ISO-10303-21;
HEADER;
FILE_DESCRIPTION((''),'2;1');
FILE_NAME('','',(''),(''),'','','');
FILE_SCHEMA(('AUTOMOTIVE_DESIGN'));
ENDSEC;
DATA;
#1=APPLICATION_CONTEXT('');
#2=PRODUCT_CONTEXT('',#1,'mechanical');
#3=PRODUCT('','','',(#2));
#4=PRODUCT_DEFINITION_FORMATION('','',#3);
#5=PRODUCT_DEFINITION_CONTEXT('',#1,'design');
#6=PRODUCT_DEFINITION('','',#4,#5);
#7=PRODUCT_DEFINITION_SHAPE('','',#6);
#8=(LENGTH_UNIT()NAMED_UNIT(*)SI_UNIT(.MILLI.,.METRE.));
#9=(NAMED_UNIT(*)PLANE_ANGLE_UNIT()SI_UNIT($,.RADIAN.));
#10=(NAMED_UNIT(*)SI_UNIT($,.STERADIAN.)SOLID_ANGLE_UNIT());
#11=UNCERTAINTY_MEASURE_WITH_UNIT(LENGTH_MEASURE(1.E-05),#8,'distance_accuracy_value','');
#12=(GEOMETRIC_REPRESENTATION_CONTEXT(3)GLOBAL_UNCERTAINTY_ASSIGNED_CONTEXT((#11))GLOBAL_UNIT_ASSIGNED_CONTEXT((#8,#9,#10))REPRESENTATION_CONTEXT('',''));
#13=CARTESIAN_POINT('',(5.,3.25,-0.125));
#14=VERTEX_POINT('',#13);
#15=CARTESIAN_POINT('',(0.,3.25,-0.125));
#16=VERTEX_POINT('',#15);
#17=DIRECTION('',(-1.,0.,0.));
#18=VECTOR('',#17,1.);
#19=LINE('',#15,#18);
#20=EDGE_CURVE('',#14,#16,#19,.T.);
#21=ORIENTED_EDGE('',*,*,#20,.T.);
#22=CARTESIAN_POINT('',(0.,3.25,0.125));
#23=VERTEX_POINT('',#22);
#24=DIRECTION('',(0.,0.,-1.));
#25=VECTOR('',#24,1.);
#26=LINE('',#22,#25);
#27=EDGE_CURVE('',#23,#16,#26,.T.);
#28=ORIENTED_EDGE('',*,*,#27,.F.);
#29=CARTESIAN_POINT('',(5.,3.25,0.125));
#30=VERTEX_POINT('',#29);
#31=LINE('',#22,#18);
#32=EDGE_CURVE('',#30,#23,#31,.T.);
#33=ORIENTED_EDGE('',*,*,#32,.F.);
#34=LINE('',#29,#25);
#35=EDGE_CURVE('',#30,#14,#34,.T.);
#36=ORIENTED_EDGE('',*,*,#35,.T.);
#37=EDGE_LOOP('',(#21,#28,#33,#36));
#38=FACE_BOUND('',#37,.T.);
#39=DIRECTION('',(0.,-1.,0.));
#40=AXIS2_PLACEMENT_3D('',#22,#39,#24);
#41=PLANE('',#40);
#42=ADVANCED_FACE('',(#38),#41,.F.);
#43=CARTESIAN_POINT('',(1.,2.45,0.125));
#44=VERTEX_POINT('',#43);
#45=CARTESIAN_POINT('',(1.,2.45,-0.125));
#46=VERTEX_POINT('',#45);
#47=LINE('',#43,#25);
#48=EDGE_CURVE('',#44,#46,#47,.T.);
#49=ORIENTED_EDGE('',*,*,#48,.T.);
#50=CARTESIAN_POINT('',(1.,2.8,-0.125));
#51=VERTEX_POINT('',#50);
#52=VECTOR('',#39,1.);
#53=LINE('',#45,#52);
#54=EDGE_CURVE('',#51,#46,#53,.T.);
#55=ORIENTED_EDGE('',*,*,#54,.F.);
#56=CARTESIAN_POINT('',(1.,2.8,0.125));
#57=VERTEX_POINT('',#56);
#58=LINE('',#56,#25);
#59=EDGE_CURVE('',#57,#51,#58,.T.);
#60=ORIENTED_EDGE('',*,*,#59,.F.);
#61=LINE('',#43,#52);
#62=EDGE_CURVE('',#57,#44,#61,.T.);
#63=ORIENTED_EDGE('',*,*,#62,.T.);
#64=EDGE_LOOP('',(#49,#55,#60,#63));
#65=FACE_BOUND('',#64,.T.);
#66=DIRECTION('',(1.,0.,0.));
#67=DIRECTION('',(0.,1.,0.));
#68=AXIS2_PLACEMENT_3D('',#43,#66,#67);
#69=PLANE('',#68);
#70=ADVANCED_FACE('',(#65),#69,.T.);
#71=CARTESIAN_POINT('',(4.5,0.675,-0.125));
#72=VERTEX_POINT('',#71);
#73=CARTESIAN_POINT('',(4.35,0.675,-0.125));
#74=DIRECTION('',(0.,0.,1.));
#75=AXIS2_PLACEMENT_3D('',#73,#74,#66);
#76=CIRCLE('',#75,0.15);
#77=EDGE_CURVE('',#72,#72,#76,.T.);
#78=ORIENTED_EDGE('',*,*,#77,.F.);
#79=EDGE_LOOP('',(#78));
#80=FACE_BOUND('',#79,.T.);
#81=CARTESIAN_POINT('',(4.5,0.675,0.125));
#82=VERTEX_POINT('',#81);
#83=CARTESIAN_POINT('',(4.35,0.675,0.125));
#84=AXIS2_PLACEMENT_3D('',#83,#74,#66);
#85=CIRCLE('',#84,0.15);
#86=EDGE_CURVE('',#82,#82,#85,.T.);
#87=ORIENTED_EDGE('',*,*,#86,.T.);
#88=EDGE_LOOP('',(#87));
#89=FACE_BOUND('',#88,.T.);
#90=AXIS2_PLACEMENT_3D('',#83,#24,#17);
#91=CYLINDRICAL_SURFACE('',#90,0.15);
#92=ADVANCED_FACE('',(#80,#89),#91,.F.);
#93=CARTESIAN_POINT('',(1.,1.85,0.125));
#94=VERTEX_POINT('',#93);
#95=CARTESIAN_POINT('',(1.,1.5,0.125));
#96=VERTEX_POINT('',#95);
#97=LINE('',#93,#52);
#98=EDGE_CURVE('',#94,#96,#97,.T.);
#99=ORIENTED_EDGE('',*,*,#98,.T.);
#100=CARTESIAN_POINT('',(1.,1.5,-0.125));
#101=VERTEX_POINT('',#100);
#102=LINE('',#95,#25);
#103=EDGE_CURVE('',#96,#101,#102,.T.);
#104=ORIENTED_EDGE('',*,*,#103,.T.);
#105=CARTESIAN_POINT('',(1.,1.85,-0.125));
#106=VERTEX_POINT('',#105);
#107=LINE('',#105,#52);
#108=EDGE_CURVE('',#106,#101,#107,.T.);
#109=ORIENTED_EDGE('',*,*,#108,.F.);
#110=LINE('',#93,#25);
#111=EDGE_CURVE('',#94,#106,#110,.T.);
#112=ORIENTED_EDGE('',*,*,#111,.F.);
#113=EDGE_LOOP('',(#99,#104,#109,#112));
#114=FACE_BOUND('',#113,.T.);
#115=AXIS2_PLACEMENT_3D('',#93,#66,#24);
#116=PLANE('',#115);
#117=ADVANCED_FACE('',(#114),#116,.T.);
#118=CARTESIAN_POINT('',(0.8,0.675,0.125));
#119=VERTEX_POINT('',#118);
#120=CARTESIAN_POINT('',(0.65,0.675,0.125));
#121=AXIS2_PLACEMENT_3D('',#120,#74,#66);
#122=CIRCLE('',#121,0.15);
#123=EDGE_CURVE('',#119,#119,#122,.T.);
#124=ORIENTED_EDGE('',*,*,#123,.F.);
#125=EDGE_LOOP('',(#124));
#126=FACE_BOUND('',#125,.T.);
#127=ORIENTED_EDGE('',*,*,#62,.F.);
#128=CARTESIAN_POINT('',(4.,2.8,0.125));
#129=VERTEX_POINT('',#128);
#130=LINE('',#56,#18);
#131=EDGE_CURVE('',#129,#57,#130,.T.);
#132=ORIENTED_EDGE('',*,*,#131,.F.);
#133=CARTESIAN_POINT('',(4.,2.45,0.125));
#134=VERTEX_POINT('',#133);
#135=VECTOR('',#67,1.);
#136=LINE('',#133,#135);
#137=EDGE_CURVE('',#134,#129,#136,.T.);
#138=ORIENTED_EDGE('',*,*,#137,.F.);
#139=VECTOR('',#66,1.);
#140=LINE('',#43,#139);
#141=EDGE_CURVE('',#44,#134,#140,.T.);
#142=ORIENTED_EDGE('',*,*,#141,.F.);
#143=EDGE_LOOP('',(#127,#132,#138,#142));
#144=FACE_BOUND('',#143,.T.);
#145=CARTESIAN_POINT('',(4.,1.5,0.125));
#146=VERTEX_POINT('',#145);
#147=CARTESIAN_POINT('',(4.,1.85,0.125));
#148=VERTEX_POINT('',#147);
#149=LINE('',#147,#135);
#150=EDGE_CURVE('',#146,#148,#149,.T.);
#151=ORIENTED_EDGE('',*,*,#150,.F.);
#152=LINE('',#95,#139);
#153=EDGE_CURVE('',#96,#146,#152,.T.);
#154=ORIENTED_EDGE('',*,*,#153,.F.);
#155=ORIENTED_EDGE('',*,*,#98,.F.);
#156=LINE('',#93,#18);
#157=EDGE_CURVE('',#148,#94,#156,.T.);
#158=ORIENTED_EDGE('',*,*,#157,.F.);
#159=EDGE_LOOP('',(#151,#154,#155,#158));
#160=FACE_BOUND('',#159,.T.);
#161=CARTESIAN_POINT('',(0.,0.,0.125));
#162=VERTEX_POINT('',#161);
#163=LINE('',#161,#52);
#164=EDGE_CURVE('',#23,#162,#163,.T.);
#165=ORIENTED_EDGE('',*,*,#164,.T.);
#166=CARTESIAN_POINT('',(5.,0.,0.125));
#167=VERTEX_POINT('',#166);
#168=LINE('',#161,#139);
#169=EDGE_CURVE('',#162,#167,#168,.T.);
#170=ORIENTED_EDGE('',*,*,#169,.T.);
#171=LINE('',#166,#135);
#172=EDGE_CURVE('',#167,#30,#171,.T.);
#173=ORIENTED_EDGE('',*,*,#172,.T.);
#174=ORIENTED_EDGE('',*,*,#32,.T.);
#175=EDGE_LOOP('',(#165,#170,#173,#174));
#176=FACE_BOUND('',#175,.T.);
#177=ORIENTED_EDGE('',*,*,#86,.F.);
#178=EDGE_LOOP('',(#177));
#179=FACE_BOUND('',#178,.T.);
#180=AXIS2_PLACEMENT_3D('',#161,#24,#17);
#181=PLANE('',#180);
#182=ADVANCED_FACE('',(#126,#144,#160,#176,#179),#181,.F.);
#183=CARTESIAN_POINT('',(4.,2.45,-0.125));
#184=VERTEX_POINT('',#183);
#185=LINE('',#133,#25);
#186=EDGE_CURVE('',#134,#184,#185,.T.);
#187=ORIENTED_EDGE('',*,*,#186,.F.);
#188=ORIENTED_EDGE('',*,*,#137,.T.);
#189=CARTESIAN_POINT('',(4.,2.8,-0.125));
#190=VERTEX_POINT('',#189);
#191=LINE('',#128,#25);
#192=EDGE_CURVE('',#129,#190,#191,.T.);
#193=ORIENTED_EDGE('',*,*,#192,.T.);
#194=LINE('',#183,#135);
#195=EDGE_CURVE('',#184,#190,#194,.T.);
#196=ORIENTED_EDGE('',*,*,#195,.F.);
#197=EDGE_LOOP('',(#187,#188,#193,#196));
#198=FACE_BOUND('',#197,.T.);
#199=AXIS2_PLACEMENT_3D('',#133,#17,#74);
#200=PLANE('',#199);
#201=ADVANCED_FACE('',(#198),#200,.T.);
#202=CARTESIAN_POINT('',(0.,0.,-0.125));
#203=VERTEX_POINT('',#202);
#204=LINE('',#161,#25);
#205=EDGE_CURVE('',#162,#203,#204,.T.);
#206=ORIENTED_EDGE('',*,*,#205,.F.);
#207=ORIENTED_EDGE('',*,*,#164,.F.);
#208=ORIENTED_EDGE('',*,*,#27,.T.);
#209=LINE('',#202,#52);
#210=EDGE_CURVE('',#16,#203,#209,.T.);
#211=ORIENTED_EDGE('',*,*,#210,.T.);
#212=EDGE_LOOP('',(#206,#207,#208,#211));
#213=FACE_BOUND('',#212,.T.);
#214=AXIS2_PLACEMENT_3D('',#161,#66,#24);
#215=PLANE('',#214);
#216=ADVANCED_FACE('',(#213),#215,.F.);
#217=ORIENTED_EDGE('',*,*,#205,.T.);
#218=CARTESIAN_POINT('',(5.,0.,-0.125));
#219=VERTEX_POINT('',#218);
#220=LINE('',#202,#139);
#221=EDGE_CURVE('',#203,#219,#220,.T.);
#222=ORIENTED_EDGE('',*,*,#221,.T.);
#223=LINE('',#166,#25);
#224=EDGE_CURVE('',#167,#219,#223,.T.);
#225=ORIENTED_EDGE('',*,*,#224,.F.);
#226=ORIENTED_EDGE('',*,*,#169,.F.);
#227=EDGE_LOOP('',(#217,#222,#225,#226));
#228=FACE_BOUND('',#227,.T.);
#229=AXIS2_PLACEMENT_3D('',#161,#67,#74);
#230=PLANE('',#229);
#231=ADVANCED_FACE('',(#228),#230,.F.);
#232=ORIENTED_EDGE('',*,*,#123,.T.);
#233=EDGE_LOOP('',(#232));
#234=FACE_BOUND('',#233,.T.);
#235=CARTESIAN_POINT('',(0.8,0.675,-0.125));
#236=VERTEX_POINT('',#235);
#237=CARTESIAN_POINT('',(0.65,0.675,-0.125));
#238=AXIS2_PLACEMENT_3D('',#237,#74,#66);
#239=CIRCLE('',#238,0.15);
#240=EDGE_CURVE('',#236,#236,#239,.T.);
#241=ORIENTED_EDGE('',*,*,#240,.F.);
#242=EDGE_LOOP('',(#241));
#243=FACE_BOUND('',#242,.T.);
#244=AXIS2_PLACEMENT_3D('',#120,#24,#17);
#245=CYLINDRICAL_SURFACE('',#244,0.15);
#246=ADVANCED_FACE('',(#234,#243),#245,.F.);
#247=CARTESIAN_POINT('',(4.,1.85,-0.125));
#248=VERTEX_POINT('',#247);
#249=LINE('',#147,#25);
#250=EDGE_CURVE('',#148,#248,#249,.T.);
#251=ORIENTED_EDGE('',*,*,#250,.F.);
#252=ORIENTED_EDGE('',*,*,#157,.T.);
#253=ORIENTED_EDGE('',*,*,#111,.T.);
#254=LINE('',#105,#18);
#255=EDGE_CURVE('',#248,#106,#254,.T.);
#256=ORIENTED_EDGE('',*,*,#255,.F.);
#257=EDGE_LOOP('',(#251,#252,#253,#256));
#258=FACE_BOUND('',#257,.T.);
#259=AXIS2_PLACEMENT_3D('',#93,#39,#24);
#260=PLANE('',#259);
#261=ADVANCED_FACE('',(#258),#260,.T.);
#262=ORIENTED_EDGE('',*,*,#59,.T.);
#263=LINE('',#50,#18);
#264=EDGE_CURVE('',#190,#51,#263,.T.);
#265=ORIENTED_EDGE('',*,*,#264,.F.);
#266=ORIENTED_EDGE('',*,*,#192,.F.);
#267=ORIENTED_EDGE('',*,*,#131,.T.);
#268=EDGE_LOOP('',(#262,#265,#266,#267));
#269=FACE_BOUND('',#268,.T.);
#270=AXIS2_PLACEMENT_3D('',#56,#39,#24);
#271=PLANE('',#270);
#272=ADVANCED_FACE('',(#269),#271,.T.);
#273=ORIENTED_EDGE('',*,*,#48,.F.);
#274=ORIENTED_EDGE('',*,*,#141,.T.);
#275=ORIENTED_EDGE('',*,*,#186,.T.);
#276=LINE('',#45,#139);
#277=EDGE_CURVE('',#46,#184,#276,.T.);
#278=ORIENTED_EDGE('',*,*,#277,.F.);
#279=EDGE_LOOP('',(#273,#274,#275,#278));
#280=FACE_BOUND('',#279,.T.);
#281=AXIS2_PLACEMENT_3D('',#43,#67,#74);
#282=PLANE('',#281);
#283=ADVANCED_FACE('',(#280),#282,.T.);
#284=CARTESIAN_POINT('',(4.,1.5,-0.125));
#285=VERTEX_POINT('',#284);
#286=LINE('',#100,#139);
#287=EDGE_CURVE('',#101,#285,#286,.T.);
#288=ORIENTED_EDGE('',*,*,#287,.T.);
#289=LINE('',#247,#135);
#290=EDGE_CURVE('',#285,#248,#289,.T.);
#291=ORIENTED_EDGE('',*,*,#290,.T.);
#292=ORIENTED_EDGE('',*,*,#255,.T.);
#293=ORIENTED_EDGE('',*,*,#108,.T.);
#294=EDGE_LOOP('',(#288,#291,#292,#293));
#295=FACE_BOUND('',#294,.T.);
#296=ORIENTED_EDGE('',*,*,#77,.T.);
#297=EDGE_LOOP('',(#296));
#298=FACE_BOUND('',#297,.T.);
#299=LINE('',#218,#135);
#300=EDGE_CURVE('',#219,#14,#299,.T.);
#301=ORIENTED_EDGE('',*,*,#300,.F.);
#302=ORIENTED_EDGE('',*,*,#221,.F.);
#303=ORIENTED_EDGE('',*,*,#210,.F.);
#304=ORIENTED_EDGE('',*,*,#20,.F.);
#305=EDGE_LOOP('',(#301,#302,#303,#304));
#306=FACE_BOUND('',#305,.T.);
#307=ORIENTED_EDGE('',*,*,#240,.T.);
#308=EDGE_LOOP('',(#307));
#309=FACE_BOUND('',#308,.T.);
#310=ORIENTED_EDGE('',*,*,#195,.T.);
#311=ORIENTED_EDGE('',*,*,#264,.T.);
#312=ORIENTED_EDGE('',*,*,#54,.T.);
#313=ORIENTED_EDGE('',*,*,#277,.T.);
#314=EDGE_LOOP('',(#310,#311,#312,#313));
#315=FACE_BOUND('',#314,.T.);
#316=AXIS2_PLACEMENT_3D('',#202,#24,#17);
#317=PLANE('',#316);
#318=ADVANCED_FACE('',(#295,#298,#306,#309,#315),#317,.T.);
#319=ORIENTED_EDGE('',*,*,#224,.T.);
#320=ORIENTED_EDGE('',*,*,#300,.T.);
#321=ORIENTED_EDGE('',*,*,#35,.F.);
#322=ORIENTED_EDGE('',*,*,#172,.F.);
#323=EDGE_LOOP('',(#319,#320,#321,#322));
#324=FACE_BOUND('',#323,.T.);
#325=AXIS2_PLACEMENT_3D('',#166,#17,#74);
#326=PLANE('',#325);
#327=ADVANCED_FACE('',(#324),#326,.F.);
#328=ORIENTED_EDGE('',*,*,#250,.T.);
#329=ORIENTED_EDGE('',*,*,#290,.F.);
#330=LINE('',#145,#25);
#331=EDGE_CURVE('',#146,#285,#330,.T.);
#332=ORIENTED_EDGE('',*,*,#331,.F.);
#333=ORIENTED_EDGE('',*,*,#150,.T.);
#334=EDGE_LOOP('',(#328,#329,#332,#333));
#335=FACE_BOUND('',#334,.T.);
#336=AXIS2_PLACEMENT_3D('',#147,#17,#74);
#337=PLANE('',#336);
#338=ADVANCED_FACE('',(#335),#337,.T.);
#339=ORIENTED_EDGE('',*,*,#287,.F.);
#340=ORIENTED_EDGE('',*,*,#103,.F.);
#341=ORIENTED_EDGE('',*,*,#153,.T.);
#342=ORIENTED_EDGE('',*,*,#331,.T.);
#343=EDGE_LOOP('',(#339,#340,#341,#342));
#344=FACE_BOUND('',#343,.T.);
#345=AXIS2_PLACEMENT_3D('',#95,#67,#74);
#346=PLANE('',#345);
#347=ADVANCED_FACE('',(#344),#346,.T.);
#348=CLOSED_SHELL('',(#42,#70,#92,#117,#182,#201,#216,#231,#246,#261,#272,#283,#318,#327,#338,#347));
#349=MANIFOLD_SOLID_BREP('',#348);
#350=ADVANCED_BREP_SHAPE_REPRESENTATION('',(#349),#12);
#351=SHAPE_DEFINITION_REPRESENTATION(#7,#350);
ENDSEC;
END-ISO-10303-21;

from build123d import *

# Parameters (mm, degrees)
FRAME_OUTLINE_W     = 5
FRAME_OUTLINE_H     = 3.25
FRAME_OUTLINE_R     = 0.15
FRAME_OUTLINE_W_2   = 3
FRAME_OUTLINE_H_2   = 0.35
BOSS_EXTRUDE1_DEPTH = 0.125


with BuildPart() as part:
    # frame_outline → Boss-Extrude1 (new, symmetric)
    with BuildSketch(Plane.XY):
        with Locations((2.5, 1.625)):
            Rectangle(FRAME_OUTLINE_W, FRAME_OUTLINE_H)
        with Locations((0.65, 0.675)):
            Circle(FRAME_OUTLINE_R, mode=Mode.SUBTRACT)
        with Locations((4.35, 0.675)):
            Circle(FRAME_OUTLINE_R, mode=Mode.SUBTRACT)
        with Locations((2.5, 1.675)):
            Rectangle(FRAME_OUTLINE_W_2, FRAME_OUTLINE_H_2, mode=Mode.SUBTRACT)
        with Locations((2.5, 2.625)):
            Rectangle(FRAME_OUTLINE_W_2, FRAME_OUTLINE_H_2, mode=Mode.SUBTRACT)
    extrude(amount=BOSS_EXTRUDE1_DEPTH, both=True)


solid = part.part
